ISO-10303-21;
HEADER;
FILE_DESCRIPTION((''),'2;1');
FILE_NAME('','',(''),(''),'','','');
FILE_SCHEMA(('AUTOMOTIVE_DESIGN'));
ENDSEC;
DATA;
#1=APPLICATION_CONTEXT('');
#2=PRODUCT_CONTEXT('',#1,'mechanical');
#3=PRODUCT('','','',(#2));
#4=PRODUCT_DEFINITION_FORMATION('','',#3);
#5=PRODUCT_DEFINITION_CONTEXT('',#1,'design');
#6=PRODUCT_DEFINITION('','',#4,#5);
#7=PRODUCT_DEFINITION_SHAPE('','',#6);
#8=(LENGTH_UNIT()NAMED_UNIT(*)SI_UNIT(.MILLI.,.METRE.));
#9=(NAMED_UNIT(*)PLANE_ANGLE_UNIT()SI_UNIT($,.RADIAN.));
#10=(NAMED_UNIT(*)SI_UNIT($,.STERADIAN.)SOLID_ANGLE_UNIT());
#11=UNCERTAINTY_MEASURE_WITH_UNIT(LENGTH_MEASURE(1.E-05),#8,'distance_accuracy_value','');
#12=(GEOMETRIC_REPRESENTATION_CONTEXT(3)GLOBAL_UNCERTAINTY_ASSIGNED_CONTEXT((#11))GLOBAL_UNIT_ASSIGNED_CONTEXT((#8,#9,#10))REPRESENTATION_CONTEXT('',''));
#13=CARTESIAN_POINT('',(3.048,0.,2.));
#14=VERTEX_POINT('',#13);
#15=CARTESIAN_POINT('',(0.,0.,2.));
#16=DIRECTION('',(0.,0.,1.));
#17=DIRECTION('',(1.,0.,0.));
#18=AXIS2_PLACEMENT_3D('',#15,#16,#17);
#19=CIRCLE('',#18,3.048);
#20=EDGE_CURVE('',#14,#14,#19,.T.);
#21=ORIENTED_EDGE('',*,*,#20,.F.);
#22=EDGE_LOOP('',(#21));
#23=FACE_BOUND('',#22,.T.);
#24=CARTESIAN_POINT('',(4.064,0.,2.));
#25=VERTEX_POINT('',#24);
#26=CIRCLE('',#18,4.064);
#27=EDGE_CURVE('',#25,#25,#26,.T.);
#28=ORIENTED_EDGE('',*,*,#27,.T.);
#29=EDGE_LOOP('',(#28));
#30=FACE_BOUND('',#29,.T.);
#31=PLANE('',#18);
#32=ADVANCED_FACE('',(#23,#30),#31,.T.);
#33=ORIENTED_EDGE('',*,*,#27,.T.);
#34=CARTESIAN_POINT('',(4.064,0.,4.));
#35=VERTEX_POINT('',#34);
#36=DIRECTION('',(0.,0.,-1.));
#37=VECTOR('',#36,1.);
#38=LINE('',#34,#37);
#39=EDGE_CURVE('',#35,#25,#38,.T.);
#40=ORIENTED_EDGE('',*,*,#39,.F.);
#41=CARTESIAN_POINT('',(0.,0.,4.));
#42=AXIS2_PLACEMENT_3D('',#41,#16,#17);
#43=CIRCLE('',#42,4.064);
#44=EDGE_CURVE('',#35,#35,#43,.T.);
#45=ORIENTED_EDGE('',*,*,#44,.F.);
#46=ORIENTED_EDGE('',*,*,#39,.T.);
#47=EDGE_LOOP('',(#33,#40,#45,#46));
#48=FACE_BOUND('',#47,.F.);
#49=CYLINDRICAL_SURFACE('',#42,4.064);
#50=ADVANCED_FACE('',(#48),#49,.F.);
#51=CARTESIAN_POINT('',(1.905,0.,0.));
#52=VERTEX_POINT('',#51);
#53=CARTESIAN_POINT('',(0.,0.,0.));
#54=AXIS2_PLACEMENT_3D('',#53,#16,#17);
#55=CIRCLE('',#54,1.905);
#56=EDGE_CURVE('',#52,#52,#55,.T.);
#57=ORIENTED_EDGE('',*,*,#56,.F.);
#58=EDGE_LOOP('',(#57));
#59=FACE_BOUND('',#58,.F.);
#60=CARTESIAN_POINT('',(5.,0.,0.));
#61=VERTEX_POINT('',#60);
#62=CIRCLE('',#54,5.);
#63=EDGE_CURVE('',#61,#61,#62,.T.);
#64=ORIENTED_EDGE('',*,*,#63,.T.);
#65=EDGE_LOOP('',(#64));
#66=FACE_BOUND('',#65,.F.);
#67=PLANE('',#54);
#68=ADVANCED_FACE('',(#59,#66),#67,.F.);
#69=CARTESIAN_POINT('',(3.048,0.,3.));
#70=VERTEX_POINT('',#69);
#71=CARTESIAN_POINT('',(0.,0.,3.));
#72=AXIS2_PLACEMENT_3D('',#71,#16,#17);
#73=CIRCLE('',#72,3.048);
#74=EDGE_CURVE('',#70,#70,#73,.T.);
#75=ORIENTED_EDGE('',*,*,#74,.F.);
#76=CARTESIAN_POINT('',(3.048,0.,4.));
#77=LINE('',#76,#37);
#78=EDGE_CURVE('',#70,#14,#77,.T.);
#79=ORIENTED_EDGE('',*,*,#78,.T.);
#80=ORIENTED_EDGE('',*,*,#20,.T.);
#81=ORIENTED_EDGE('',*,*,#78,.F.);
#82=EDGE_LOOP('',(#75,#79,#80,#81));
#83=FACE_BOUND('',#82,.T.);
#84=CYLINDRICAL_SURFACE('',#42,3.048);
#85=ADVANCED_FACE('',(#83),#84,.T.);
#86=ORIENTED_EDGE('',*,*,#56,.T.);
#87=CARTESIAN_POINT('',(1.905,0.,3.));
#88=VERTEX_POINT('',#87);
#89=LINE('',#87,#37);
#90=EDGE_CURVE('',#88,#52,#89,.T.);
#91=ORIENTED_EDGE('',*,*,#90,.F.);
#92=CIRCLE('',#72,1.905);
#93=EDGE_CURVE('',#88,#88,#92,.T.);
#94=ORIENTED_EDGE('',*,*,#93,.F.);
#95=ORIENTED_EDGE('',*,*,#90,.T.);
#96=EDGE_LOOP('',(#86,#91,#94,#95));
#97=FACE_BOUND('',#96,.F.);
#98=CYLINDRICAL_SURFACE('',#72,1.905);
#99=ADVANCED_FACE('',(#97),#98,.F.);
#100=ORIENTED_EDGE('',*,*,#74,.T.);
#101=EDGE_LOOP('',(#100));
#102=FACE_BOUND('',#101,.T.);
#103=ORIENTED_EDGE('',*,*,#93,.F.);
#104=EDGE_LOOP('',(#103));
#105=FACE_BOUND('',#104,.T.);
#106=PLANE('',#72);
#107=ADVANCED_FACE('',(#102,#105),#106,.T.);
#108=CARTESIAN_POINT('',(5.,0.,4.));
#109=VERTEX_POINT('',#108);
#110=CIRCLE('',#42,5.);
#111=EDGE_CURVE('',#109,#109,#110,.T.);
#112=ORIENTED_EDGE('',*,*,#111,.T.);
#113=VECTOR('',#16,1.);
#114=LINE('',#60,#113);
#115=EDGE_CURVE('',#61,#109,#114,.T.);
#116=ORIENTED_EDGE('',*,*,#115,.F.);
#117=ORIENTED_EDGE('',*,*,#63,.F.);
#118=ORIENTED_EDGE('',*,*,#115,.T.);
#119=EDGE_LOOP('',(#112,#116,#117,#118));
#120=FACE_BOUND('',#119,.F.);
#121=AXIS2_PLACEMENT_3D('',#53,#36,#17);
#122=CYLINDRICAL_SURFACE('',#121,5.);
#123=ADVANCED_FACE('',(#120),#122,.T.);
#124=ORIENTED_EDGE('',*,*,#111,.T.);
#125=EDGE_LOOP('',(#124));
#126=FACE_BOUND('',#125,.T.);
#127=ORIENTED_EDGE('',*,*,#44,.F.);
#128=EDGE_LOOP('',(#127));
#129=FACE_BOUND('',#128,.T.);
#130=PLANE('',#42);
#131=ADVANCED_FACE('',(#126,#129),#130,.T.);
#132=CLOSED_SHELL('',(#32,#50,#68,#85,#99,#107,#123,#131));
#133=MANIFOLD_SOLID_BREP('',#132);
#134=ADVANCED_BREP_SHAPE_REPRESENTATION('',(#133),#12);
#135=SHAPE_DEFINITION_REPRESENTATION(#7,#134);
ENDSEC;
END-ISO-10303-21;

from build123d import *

# Parameters (mm, degrees)
F0_R      = 5
F1_DEPTH  = 4
F2_R      = 4.064
F2_R_2    = 3.048
F3_DEPTH  = 2
F3_FACE_R = 3.048
F4_DEPTH  = 1
F5_R      = 1.905
F6_DEPTH  = 25.4


with BuildPart() as f1:
    # F0 (on Top) → F1 (new body)
    with BuildSketch(Plane.XY):
        Circle(F0_R)
    extrude(amount=F1_DEPTH)

    # F2 (on face) → F3 (cut)
    with BuildSketch(Plane.XY.offset(4)):
        Circle(F2_R)
        Circle(F2_R_2, mode=Mode.SUBTRACT)
    extrude(amount=-F3_DEPTH, mode=Mode.SUBTRACT)

    # F3_face (on face) → F4 (cut)
    with BuildSketch(Plane.XY.offset(4)):
        Circle(F3_FACE_R)
    extrude(amount=-F4_DEPTH, mode=Mode.SUBTRACT)

    # F5 (on face) → F6 (cut)
    with BuildSketch(Plane.XY.offset(3)):
        Circle(F5_R)
    extrude(amount=-F6_DEPTH, mode=Mode.SUBTRACT)


solid = f1.part
